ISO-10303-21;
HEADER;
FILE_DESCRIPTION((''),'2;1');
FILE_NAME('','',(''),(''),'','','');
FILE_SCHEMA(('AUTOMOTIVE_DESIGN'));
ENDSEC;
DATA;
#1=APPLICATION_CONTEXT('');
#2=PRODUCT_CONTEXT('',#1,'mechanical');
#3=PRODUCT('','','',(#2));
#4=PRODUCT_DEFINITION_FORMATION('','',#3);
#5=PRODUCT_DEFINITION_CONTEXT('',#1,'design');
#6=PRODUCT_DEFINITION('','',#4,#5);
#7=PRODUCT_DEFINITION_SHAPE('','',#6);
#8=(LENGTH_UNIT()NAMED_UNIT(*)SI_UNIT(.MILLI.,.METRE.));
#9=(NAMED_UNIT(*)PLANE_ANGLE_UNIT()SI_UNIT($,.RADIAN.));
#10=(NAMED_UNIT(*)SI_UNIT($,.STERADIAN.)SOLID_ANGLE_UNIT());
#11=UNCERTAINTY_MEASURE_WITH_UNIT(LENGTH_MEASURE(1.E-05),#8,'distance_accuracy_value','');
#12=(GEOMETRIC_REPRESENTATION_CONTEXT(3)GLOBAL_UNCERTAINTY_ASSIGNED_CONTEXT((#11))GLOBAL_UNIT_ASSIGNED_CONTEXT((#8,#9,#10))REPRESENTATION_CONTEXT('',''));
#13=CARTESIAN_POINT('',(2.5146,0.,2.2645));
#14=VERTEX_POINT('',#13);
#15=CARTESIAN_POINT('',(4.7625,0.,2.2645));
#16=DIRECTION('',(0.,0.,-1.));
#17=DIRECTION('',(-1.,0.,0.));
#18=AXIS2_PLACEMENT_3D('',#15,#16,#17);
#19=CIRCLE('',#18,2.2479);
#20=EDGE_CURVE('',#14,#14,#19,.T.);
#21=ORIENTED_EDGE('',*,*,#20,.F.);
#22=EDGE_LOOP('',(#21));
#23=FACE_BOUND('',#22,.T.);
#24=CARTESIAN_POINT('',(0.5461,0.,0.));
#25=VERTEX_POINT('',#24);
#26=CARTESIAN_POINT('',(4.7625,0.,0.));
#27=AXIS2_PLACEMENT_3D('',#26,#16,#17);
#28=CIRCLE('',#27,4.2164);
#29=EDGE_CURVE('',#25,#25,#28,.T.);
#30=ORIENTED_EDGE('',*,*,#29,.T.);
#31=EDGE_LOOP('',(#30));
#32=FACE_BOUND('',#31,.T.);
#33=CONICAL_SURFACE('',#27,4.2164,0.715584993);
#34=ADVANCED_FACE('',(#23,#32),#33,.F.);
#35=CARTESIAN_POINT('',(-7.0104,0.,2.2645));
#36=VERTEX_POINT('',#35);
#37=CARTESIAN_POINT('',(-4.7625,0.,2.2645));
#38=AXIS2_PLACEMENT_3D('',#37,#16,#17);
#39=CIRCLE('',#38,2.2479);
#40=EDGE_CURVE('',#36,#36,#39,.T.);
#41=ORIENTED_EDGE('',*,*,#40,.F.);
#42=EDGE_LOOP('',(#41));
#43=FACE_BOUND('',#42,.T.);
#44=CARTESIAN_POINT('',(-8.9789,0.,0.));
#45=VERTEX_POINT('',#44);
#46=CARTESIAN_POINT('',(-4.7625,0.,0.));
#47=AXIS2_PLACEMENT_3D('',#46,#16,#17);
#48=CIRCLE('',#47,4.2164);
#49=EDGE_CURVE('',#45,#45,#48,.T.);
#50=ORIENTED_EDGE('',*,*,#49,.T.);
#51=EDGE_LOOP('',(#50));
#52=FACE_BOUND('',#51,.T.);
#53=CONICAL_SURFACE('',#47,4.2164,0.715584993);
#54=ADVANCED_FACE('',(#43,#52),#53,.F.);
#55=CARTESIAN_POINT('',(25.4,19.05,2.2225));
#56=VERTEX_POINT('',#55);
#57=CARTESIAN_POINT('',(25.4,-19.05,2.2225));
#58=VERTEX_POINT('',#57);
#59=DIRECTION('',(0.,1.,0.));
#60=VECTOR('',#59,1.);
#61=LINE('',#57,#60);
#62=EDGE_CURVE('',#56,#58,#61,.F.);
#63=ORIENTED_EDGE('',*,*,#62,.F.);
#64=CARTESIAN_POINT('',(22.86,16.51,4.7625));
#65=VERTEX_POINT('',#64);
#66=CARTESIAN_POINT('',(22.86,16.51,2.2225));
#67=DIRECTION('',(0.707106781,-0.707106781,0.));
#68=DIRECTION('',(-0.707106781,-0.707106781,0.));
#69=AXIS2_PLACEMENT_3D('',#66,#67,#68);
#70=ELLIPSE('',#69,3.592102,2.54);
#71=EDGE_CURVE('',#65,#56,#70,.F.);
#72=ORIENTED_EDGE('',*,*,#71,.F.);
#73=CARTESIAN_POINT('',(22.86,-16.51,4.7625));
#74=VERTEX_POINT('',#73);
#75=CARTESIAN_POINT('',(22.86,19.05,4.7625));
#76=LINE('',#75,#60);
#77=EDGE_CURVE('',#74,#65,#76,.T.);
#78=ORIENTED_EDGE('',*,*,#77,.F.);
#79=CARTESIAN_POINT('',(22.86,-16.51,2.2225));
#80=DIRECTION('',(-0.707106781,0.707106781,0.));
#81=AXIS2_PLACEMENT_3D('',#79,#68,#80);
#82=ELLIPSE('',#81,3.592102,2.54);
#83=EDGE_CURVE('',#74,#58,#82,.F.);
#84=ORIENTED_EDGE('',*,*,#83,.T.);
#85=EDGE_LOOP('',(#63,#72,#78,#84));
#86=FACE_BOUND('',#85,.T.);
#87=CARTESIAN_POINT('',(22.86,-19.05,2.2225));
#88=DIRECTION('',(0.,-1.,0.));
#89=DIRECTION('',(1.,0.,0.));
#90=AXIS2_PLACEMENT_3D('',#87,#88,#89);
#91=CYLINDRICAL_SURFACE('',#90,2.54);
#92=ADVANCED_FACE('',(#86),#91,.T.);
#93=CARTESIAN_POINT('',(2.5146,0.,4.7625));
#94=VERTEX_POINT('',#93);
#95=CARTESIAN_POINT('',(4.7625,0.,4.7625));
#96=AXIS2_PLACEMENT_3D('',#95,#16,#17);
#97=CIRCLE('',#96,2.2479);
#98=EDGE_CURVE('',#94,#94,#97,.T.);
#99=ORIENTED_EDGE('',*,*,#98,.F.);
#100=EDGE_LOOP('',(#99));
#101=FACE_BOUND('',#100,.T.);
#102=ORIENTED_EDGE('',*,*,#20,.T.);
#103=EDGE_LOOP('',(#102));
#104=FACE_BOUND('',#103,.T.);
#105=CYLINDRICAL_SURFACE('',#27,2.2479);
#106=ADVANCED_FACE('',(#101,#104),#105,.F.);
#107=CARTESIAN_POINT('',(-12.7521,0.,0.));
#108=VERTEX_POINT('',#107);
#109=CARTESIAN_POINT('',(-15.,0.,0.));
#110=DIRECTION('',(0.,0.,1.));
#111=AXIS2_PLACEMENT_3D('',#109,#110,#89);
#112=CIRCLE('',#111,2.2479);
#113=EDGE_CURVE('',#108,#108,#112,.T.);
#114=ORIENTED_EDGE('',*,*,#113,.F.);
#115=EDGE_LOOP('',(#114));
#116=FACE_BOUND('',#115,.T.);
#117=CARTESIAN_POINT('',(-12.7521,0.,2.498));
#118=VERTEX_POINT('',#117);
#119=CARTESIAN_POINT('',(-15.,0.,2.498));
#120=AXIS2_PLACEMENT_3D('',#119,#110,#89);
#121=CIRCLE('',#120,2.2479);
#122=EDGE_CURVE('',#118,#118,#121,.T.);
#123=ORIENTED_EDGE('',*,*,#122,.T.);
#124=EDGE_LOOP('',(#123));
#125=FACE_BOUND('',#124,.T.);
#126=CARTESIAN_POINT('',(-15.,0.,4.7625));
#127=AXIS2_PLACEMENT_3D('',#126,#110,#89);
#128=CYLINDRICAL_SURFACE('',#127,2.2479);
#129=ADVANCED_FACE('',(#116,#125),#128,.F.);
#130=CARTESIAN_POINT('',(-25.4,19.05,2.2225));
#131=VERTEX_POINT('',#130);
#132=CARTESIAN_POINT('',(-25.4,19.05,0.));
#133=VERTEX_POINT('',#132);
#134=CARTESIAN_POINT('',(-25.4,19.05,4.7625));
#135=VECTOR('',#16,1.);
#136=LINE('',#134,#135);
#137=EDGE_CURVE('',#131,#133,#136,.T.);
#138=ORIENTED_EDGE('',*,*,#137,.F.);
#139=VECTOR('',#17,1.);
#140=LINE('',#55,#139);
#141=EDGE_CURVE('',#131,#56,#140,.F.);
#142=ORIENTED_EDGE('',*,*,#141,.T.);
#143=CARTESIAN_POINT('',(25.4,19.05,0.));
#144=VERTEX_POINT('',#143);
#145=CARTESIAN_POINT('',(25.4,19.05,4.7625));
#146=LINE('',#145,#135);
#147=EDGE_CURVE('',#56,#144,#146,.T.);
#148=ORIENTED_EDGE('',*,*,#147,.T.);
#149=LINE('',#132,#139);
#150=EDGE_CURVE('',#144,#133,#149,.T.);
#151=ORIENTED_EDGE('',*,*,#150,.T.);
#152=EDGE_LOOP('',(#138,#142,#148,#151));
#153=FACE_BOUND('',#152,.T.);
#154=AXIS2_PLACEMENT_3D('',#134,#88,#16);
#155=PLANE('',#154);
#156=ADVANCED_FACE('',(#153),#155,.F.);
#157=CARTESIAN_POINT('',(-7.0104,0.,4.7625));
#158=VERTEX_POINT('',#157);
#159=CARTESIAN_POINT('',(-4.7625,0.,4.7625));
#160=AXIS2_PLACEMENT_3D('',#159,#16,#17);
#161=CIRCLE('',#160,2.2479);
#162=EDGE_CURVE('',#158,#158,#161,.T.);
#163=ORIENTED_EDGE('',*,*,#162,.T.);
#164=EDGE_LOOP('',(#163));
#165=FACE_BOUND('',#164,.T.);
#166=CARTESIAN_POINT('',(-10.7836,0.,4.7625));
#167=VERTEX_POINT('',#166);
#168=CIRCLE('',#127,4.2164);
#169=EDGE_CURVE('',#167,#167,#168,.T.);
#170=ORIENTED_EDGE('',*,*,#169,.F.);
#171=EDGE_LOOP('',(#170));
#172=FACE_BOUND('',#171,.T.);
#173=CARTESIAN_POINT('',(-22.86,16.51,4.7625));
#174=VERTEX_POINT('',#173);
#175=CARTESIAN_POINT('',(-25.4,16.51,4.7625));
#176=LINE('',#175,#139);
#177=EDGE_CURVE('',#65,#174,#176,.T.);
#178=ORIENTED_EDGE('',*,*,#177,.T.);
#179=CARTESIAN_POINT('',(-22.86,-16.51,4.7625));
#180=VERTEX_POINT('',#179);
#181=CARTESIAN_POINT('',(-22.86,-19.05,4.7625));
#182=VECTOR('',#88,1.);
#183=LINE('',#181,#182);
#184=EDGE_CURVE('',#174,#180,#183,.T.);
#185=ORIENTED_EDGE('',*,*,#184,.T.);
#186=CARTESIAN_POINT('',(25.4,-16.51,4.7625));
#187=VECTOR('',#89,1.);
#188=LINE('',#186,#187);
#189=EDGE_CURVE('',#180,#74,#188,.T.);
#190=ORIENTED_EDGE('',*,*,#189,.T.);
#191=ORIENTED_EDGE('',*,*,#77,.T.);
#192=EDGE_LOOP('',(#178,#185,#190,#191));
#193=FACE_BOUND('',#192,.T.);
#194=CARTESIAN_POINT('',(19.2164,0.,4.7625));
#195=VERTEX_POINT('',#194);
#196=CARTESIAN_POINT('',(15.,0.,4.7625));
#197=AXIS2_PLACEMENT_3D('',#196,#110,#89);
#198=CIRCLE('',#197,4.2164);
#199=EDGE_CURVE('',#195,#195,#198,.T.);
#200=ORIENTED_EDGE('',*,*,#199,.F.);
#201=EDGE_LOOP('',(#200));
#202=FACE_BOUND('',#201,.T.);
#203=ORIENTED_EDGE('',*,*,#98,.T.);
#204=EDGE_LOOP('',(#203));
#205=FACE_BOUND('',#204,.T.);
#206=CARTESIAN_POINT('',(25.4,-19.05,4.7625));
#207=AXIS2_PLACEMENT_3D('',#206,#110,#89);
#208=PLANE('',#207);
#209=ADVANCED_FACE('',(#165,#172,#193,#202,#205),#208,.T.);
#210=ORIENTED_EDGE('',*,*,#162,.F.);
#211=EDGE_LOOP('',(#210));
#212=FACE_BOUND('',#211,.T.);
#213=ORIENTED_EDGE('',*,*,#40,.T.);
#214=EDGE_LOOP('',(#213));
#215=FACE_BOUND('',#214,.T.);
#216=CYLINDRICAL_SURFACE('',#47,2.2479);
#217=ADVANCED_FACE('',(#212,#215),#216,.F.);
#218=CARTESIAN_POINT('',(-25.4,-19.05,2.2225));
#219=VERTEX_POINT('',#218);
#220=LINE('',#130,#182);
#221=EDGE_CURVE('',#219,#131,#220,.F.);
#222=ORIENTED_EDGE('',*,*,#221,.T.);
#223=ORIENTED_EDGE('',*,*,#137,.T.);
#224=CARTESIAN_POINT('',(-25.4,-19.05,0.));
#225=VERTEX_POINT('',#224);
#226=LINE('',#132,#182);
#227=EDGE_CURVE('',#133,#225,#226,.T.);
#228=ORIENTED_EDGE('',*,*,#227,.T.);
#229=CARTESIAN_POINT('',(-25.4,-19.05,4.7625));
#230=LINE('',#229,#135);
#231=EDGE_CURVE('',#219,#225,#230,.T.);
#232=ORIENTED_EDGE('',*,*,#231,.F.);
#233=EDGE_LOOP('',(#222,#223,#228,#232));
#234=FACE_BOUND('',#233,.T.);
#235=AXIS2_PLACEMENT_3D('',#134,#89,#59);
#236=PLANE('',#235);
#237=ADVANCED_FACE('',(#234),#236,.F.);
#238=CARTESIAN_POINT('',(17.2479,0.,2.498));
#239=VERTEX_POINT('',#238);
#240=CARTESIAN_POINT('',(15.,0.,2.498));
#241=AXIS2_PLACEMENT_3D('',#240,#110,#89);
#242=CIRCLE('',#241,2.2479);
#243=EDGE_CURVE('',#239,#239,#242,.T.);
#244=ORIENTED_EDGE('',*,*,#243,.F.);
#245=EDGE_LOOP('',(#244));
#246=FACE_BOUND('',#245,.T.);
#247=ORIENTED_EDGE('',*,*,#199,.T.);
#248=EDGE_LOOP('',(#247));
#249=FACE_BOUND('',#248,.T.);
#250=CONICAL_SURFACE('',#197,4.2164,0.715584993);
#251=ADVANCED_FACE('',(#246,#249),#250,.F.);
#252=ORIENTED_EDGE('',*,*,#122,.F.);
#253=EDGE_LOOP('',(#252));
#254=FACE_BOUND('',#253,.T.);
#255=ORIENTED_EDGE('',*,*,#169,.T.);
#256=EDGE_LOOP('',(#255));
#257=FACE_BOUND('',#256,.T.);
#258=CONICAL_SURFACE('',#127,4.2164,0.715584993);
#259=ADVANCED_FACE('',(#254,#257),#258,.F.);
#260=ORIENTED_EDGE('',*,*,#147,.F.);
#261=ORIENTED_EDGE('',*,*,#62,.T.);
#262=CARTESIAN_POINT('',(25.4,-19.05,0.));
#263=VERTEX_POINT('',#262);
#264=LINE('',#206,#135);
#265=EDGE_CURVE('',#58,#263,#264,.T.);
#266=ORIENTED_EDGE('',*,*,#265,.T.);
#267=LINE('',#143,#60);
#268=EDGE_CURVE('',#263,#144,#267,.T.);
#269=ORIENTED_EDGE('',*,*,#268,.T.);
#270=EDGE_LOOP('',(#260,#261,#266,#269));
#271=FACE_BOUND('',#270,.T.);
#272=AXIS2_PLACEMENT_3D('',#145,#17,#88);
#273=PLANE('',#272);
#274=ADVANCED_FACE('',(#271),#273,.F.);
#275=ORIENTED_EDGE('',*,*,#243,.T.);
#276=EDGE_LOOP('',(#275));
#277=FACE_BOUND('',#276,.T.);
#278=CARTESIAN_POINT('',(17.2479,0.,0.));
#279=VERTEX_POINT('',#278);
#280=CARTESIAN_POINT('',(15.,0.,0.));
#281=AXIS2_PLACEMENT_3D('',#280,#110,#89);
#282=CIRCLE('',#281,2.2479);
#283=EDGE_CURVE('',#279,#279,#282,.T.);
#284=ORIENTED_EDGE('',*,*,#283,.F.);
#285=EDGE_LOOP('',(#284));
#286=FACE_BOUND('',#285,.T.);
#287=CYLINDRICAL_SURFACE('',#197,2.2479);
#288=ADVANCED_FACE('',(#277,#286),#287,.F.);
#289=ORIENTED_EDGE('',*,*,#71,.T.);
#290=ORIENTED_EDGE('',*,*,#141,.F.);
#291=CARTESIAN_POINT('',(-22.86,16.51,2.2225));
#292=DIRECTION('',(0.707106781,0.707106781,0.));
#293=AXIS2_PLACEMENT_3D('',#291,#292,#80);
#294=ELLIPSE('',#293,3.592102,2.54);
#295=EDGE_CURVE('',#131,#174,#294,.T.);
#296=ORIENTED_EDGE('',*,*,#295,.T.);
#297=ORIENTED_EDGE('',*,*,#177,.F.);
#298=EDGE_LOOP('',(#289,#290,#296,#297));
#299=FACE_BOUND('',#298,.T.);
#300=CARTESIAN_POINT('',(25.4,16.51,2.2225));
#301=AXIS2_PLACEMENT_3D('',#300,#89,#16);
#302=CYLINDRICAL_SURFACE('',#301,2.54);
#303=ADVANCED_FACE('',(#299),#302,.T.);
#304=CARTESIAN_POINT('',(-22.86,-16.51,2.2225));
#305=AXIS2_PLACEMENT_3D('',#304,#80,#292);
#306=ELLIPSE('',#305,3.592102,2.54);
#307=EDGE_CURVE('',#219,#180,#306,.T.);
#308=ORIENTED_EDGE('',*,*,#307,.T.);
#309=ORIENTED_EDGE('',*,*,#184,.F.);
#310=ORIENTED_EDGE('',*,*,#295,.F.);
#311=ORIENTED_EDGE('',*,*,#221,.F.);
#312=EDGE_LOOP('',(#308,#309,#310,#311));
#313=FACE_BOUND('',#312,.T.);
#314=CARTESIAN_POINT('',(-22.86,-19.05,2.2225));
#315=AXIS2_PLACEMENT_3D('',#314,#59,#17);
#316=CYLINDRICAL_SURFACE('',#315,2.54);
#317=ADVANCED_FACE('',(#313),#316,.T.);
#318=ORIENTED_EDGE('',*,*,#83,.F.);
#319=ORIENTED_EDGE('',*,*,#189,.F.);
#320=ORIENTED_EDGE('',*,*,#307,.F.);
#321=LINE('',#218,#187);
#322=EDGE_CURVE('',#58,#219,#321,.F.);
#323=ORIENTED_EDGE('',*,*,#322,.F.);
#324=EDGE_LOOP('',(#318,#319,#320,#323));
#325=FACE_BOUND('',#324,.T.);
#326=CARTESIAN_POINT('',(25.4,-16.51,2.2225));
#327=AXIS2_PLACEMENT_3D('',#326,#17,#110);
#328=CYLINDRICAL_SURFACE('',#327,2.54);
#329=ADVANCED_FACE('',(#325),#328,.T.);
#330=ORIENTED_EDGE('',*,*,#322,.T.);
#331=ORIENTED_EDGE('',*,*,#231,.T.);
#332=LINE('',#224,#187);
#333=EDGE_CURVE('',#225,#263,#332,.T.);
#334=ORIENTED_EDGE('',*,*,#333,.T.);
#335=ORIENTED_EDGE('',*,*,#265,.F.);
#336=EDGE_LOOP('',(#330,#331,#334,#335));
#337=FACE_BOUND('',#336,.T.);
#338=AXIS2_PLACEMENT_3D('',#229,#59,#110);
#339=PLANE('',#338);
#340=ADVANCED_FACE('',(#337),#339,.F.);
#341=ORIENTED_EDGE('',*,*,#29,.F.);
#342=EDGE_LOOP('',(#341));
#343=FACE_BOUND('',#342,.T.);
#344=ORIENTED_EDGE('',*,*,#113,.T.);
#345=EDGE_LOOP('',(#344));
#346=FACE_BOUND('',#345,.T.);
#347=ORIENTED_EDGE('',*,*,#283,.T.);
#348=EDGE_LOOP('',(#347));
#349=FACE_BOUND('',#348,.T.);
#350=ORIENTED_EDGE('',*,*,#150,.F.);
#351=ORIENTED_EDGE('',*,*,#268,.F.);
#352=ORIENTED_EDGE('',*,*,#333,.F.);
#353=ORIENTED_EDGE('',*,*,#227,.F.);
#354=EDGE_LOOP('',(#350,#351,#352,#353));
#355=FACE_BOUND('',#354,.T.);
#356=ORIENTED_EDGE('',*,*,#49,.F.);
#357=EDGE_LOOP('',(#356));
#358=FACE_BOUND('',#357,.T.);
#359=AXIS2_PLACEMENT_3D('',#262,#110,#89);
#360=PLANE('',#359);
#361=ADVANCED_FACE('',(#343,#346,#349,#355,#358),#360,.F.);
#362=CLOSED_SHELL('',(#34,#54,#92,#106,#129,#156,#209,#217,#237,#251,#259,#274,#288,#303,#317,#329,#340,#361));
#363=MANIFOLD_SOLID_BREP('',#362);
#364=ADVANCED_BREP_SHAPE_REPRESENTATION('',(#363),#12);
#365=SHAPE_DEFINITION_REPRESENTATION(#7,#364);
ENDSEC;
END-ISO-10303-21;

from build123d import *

# Parameters (mm, degrees)
SKETCH1_W                                     = 50.8
SKETCH1_H                                     = 38.1
BODY_DEPTH                                    = 4.7625
CSK_FOR_8_FLAT_HEAD_MACHINE_SCREW1_AT_2_COUNT = 2
CSK_FOR_8_FLAT_HEAD_MACHINE_SCREW1_AT_2_PITCH = 30
CSK_FOR_8_FLAT_HEAD_MACHINE_SCREW2_AT_2_COUNT = 2
CSK_FOR_8_FLAT_HEAD_MACHINE_SCREW2_AT_2_PITCH = 9.525
FILLET1_R                                     = 2.54


with BuildPart() as part:
    # Sketch1 → Body (new body)
    with BuildSketch(Plane.XY):
        Rectangle(SKETCH1_W, SKETCH1_H)
    extrude(amount=BODY_DEPTH)

    # Sketch2 → CSK for #8 Flat Head Machine Screw1 (revolve, cut)
    with BuildSketch(Plane(origin=(-15, 0, 4.7625), x_dir=(0, -1, 0), z_dir=(1, 0, 0))):
        Polygon((0, 0), (0, 4.7625), (2.2479, 4.7625), (2.2479, 2.26450021), (4.2164, 0), align=None)
    csk_for_8_flat_head_machine_screw1 = revolve(axis=Axis((-15, 0, 11.1125), (0, 0, -1)), mode=Mode.SUBTRACT)

    # CSK for #8 Flat Head Machine Screw1 at 2: CSK for #8 Flat Head Machine Screw1 ×2
    with Locations(*[(i * CSK_FOR_8_FLAT_HEAD_MACHINE_SCREW1_AT_2_PITCH, 0, 0) for i in range(1, CSK_FOR_8_FLAT_HEAD_MACHINE_SCREW1_AT_2_COUNT)]):
        add(csk_for_8_flat_head_machine_screw1, mode=Mode.SUBTRACT)

    # Sketch3 → CSK for #8 Flat Head Machine Screw2 (revolve, cut)
    with BuildSketch(Plane.YZ.offset(4.7625)):
        Polygon((0, 0), (0, 4.7625), (2.2479, 4.7625), (2.2479, 2.26450021), (4.2164, 0), align=None)
    csk_for_8_flat_head_machine_screw2 = revolve(axis=Axis((4.7625, 0, -6.35), (0, 0, 1)), mode=Mode.SUBTRACT)

    # CSK for #8 Flat Head Machine Screw2 at 2: CSK for #8 Flat Head Machine Screw2 ×2
    with Locations(*[(-i * CSK_FOR_8_FLAT_HEAD_MACHINE_SCREW2_AT_2_PITCH, 0, 0) for i in range(1, CSK_FOR_8_FLAT_HEAD_MACHINE_SCREW2_AT_2_COUNT)]):
        add(csk_for_8_flat_head_machine_screw2, mode=Mode.SUBTRACT)

    # Fillet1
    fillet1_edges = [part.edges().sort_by_distance(p)[0] for p in [
        (-25.4, 0, 4.7625),
        (0, -19.05, 4.7625),
        (25.4, 0, 4.7625),
        (0, 19.05, 4.7625),
    ]]
    fillet(fillet1_edges, radius=FILLET1_R)


solid = part.part
